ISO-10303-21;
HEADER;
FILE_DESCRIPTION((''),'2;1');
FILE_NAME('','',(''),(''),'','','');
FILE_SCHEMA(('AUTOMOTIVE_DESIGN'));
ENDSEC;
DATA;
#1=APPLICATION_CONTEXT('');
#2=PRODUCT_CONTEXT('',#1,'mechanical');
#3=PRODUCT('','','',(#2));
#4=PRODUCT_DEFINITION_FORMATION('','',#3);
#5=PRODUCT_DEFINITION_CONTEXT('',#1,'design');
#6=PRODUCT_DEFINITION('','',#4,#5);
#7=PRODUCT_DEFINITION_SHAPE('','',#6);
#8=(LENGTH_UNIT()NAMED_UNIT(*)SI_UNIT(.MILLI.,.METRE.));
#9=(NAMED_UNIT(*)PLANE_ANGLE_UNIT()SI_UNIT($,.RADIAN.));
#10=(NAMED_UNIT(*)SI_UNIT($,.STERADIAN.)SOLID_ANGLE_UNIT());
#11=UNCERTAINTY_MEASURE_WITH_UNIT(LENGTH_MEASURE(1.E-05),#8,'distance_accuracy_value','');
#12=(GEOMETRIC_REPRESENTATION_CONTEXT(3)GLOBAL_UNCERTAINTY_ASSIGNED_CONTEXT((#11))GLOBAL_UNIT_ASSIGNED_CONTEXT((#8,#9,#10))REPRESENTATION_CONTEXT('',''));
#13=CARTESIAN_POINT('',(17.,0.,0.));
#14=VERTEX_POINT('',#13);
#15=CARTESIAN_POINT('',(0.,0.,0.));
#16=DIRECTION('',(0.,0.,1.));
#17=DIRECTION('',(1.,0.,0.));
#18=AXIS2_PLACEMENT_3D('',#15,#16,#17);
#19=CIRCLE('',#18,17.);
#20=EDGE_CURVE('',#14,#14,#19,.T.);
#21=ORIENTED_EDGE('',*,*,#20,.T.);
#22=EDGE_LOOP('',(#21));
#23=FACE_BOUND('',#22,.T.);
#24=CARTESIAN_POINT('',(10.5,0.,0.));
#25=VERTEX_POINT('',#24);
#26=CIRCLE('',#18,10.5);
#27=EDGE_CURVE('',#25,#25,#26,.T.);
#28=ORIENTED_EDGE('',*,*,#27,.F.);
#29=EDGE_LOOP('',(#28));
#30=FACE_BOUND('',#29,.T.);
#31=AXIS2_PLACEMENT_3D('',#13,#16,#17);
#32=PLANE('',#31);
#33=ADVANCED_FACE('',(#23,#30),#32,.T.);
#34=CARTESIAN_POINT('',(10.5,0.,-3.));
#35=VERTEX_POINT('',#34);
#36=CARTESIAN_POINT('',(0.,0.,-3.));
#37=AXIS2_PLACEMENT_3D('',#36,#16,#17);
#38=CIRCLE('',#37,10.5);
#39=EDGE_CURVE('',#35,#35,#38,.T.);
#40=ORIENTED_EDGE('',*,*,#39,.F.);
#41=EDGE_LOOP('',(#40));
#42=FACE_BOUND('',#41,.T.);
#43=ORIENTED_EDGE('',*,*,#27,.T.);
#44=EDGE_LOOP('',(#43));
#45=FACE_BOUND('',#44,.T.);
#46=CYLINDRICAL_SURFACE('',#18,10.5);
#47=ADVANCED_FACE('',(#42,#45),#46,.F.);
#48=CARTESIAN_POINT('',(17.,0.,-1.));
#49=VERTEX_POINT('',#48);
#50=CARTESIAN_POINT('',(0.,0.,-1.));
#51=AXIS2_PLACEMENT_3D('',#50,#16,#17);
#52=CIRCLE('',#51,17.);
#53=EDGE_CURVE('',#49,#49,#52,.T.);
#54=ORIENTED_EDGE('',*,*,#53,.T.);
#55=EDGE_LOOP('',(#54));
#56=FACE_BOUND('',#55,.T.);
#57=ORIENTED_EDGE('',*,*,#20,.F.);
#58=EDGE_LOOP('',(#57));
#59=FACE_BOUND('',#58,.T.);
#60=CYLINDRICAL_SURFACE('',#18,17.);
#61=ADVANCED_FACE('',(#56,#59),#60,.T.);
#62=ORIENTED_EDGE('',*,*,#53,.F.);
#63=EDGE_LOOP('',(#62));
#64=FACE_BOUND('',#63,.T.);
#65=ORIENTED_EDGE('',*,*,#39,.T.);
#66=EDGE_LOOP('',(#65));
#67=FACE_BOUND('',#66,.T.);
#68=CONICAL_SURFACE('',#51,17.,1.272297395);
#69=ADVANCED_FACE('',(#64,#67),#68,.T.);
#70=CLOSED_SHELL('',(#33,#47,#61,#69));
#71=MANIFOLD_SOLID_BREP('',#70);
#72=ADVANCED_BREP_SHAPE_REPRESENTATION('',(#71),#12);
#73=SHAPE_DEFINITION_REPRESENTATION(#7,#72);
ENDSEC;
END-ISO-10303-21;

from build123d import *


with BuildPart() as part:
    # Sketch2 → Revolve1 (revolve)
    with BuildSketch(Plane(origin=(0, 0, 0), x_dir=(1, 0, 0), z_dir=(0, 1, 0))):
        Polygon((10.5, 0), (10.5, 3), (17, 1), (17, 0), align=None)
    revolve(axis=Axis((0, 0, 0), (0, 0, -1)))


solid = part.part
